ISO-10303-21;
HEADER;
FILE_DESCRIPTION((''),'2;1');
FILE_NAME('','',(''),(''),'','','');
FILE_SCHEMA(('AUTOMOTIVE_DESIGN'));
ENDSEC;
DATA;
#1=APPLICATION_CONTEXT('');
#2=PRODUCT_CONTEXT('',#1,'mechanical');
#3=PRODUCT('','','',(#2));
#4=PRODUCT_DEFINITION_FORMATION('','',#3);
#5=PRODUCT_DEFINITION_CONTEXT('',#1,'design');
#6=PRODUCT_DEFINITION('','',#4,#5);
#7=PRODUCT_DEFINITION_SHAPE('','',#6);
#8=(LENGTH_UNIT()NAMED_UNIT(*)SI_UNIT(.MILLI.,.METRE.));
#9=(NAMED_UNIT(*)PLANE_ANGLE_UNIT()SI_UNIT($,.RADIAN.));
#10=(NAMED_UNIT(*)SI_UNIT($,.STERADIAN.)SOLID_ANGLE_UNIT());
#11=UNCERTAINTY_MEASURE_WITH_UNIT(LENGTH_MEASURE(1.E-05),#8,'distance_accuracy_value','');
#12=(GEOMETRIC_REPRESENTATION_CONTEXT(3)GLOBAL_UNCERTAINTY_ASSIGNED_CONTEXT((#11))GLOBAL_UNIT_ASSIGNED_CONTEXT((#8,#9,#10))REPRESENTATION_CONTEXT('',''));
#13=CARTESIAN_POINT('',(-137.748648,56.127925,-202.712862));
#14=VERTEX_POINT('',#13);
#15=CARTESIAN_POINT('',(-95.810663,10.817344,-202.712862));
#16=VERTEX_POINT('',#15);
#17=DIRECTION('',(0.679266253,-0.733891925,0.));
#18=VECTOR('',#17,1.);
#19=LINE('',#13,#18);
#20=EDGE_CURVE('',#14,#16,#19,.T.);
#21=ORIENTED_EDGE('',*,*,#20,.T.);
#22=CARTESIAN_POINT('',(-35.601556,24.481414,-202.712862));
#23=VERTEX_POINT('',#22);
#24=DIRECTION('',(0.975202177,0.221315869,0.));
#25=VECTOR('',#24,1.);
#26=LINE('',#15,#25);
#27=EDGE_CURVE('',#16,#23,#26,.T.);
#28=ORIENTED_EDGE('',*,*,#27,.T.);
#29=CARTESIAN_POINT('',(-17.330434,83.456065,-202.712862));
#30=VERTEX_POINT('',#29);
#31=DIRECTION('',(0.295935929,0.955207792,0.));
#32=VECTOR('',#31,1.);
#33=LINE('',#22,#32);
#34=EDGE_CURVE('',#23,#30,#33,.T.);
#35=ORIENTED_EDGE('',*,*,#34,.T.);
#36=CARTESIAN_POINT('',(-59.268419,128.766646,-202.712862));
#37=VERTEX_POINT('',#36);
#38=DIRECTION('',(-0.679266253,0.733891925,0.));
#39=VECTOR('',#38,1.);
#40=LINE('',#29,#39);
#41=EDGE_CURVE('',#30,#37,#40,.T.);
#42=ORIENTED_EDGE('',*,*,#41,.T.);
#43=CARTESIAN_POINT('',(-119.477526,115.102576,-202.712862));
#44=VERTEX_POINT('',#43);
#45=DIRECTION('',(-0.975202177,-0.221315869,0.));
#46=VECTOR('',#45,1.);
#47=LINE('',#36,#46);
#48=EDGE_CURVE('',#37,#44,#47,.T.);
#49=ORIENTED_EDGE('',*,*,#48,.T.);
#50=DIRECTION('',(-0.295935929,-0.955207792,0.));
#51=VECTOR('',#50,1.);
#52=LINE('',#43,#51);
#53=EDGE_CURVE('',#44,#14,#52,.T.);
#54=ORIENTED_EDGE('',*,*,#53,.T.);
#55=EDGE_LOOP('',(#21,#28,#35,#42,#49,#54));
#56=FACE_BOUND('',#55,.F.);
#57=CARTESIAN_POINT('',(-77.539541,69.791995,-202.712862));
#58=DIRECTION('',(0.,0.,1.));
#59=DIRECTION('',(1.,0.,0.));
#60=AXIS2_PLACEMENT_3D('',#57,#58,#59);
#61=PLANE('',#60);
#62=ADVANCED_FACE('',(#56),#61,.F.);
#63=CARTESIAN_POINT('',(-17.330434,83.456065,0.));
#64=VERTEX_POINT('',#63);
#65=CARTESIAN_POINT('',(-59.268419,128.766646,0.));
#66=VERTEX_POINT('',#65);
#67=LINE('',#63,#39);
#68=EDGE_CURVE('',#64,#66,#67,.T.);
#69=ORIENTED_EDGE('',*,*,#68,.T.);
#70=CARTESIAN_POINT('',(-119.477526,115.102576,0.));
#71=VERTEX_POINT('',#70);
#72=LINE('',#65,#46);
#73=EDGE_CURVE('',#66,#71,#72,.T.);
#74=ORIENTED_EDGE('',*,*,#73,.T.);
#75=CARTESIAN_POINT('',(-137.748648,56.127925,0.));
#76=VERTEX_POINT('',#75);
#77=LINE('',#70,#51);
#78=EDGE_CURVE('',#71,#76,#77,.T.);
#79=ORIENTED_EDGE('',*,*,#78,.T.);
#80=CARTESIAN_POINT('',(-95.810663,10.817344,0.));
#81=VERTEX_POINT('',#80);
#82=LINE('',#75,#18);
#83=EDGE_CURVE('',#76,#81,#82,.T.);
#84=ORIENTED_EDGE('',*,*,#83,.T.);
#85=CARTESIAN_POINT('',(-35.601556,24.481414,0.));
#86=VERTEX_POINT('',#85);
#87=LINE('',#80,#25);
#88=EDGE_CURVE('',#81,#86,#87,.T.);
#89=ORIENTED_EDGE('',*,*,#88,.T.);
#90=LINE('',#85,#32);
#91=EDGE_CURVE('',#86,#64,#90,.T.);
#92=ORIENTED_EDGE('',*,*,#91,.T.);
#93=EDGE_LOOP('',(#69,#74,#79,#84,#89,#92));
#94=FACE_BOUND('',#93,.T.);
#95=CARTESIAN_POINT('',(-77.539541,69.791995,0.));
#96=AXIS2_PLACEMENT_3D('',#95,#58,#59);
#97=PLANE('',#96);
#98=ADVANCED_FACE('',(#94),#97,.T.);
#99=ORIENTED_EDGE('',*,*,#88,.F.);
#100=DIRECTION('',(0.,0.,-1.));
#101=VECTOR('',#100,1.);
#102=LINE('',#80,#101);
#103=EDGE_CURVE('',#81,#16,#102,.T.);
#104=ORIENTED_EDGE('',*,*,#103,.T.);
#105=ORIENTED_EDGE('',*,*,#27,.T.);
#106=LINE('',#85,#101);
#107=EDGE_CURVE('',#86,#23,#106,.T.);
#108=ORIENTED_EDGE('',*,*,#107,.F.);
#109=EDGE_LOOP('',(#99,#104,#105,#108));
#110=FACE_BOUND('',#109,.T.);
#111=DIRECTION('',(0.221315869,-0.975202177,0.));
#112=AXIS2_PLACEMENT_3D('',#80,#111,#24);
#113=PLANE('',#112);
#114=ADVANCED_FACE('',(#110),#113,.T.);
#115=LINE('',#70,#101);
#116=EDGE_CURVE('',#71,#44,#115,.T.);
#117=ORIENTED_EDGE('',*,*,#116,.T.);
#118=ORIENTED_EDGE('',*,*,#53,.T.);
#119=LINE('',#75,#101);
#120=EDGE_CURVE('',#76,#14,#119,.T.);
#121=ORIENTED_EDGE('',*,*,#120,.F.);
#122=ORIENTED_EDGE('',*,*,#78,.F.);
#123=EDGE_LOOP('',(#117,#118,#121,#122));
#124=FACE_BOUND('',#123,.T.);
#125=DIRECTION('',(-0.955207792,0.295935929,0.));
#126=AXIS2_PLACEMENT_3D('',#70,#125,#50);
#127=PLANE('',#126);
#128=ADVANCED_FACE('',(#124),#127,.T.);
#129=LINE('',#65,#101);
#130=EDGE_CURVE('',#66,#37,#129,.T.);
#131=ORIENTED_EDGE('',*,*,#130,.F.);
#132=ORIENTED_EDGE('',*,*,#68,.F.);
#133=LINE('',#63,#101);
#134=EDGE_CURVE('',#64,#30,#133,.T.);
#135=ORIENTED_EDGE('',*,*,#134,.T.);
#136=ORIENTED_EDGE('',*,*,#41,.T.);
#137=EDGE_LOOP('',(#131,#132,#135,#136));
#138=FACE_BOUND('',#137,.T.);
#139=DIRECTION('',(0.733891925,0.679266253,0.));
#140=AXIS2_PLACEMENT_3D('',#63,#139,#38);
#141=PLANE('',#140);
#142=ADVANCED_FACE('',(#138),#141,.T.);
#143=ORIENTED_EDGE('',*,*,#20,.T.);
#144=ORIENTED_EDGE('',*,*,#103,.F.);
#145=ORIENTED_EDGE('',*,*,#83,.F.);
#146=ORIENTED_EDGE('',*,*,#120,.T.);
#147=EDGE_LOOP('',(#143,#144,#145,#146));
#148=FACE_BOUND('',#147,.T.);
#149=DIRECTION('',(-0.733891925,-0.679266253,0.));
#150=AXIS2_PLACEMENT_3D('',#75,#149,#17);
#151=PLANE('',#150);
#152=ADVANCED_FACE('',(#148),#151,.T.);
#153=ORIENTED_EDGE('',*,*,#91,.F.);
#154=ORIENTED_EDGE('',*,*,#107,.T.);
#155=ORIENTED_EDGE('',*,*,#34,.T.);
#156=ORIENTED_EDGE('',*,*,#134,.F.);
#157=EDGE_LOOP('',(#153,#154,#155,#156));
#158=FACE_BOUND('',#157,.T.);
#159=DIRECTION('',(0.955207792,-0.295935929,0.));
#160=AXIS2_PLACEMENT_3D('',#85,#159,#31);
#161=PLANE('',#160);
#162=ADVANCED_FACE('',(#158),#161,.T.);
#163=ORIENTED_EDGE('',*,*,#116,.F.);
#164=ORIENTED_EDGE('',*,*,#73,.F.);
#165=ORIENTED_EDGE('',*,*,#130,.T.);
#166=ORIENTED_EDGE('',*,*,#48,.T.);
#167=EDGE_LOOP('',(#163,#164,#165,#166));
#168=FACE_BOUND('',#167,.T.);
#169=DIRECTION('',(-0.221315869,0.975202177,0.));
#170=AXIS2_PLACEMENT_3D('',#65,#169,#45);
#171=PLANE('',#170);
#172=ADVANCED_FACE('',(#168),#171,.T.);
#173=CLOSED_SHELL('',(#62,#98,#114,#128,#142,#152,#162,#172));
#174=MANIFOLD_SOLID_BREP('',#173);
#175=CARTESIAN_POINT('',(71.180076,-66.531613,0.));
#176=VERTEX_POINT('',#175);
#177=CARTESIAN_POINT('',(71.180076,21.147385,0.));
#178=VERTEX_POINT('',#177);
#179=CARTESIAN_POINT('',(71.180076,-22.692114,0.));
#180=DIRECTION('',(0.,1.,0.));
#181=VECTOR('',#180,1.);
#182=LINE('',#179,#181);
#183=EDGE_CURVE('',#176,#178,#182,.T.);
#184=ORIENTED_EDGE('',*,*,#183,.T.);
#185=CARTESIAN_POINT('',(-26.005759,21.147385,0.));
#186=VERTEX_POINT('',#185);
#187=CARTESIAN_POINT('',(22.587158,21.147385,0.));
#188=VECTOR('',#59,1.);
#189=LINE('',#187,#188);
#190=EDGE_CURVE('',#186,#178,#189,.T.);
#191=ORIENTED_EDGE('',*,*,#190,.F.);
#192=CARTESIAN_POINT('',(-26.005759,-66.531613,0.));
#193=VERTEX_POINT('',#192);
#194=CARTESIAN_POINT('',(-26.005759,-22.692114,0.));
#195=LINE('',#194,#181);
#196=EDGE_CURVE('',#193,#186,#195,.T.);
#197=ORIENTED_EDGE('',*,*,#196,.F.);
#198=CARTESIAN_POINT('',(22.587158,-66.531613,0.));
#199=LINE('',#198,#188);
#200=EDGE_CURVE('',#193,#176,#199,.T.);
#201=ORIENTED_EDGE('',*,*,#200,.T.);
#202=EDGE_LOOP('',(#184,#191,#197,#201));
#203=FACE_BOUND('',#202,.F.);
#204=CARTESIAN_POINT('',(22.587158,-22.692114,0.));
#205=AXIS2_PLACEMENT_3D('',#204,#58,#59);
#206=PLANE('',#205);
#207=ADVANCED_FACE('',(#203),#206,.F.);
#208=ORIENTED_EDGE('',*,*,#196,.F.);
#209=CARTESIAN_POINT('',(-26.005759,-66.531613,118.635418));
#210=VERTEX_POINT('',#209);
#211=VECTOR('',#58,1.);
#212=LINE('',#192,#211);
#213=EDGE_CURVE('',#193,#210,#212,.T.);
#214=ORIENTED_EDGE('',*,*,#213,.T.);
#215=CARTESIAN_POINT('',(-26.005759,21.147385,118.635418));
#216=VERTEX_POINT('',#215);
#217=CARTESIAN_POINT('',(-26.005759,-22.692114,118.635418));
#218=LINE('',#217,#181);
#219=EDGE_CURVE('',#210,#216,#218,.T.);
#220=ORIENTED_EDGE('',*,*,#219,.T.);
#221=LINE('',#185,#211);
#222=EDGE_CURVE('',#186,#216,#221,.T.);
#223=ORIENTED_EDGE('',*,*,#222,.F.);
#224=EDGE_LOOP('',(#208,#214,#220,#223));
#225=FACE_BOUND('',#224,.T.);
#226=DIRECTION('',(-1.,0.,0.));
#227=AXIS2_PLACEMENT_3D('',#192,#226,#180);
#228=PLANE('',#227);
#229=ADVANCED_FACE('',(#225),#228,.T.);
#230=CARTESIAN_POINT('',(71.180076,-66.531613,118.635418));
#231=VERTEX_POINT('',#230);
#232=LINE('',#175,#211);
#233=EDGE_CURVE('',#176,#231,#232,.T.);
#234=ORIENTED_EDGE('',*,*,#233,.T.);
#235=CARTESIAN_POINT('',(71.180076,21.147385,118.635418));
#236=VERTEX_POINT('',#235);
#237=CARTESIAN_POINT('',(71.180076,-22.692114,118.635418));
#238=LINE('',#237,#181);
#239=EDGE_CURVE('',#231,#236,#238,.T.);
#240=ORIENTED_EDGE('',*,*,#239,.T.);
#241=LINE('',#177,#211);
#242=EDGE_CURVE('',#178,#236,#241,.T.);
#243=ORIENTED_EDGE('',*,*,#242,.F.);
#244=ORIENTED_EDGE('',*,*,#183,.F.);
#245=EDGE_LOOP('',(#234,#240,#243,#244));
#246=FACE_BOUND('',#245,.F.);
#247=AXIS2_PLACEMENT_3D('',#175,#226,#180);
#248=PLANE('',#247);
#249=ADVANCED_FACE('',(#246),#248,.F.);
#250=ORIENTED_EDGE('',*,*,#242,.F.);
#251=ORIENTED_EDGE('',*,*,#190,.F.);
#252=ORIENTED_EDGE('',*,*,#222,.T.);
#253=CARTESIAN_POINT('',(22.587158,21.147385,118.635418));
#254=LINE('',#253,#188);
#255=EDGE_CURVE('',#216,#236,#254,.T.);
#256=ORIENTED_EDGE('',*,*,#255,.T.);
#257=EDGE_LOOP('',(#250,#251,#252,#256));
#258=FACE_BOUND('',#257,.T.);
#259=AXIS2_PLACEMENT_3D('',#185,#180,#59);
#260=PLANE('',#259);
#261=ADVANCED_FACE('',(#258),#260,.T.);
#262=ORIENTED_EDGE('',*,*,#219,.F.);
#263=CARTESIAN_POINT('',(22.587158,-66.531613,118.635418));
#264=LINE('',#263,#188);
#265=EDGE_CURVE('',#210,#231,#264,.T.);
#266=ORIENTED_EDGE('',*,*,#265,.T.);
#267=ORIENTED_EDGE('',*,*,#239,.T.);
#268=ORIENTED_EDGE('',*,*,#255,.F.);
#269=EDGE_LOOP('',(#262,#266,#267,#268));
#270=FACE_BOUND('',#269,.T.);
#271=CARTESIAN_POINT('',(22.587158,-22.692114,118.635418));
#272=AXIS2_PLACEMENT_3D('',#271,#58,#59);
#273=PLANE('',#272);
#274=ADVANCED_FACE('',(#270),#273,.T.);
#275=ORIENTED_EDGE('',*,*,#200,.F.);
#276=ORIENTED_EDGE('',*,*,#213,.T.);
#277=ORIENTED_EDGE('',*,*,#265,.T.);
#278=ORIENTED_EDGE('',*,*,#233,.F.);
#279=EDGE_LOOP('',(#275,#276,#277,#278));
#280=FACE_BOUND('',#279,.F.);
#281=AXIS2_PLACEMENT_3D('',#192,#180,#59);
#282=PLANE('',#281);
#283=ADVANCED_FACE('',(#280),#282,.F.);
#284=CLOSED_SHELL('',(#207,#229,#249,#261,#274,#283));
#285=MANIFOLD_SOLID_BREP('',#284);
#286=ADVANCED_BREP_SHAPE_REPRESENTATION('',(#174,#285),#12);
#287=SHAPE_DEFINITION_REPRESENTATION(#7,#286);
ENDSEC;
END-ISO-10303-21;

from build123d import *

# Parameters (mm, degrees)
F0_W     = 97.185835
F0_H     = 87.678998
F1_DEPTH = 118.635418
F3_DEPTH = 202.712862


with BuildPart() as f1:
    # F0 (on Top) → F1 (new body)
    with BuildSketch(Plane.XY):
        with Locations((22.587158, -22.692114)):
            Rectangle(F0_W, F0_H)
    extrude(amount=F1_DEPTH)


with BuildPart() as f3:
    # F2 (on Top) → F3 (new body)
    with BuildSketch(Plane.XY):
        Polygon((-17.330434, 83.456065), (-59.268419, 128.766646), (-119.477526, 115.102576), (-137.748648, 56.127925), (-95.810663, 10.817344), (-35.601556, 24.481414), align=None)
    extrude(amount=-F3_DEPTH)


solid = Compound([f1.part, f3.part])
